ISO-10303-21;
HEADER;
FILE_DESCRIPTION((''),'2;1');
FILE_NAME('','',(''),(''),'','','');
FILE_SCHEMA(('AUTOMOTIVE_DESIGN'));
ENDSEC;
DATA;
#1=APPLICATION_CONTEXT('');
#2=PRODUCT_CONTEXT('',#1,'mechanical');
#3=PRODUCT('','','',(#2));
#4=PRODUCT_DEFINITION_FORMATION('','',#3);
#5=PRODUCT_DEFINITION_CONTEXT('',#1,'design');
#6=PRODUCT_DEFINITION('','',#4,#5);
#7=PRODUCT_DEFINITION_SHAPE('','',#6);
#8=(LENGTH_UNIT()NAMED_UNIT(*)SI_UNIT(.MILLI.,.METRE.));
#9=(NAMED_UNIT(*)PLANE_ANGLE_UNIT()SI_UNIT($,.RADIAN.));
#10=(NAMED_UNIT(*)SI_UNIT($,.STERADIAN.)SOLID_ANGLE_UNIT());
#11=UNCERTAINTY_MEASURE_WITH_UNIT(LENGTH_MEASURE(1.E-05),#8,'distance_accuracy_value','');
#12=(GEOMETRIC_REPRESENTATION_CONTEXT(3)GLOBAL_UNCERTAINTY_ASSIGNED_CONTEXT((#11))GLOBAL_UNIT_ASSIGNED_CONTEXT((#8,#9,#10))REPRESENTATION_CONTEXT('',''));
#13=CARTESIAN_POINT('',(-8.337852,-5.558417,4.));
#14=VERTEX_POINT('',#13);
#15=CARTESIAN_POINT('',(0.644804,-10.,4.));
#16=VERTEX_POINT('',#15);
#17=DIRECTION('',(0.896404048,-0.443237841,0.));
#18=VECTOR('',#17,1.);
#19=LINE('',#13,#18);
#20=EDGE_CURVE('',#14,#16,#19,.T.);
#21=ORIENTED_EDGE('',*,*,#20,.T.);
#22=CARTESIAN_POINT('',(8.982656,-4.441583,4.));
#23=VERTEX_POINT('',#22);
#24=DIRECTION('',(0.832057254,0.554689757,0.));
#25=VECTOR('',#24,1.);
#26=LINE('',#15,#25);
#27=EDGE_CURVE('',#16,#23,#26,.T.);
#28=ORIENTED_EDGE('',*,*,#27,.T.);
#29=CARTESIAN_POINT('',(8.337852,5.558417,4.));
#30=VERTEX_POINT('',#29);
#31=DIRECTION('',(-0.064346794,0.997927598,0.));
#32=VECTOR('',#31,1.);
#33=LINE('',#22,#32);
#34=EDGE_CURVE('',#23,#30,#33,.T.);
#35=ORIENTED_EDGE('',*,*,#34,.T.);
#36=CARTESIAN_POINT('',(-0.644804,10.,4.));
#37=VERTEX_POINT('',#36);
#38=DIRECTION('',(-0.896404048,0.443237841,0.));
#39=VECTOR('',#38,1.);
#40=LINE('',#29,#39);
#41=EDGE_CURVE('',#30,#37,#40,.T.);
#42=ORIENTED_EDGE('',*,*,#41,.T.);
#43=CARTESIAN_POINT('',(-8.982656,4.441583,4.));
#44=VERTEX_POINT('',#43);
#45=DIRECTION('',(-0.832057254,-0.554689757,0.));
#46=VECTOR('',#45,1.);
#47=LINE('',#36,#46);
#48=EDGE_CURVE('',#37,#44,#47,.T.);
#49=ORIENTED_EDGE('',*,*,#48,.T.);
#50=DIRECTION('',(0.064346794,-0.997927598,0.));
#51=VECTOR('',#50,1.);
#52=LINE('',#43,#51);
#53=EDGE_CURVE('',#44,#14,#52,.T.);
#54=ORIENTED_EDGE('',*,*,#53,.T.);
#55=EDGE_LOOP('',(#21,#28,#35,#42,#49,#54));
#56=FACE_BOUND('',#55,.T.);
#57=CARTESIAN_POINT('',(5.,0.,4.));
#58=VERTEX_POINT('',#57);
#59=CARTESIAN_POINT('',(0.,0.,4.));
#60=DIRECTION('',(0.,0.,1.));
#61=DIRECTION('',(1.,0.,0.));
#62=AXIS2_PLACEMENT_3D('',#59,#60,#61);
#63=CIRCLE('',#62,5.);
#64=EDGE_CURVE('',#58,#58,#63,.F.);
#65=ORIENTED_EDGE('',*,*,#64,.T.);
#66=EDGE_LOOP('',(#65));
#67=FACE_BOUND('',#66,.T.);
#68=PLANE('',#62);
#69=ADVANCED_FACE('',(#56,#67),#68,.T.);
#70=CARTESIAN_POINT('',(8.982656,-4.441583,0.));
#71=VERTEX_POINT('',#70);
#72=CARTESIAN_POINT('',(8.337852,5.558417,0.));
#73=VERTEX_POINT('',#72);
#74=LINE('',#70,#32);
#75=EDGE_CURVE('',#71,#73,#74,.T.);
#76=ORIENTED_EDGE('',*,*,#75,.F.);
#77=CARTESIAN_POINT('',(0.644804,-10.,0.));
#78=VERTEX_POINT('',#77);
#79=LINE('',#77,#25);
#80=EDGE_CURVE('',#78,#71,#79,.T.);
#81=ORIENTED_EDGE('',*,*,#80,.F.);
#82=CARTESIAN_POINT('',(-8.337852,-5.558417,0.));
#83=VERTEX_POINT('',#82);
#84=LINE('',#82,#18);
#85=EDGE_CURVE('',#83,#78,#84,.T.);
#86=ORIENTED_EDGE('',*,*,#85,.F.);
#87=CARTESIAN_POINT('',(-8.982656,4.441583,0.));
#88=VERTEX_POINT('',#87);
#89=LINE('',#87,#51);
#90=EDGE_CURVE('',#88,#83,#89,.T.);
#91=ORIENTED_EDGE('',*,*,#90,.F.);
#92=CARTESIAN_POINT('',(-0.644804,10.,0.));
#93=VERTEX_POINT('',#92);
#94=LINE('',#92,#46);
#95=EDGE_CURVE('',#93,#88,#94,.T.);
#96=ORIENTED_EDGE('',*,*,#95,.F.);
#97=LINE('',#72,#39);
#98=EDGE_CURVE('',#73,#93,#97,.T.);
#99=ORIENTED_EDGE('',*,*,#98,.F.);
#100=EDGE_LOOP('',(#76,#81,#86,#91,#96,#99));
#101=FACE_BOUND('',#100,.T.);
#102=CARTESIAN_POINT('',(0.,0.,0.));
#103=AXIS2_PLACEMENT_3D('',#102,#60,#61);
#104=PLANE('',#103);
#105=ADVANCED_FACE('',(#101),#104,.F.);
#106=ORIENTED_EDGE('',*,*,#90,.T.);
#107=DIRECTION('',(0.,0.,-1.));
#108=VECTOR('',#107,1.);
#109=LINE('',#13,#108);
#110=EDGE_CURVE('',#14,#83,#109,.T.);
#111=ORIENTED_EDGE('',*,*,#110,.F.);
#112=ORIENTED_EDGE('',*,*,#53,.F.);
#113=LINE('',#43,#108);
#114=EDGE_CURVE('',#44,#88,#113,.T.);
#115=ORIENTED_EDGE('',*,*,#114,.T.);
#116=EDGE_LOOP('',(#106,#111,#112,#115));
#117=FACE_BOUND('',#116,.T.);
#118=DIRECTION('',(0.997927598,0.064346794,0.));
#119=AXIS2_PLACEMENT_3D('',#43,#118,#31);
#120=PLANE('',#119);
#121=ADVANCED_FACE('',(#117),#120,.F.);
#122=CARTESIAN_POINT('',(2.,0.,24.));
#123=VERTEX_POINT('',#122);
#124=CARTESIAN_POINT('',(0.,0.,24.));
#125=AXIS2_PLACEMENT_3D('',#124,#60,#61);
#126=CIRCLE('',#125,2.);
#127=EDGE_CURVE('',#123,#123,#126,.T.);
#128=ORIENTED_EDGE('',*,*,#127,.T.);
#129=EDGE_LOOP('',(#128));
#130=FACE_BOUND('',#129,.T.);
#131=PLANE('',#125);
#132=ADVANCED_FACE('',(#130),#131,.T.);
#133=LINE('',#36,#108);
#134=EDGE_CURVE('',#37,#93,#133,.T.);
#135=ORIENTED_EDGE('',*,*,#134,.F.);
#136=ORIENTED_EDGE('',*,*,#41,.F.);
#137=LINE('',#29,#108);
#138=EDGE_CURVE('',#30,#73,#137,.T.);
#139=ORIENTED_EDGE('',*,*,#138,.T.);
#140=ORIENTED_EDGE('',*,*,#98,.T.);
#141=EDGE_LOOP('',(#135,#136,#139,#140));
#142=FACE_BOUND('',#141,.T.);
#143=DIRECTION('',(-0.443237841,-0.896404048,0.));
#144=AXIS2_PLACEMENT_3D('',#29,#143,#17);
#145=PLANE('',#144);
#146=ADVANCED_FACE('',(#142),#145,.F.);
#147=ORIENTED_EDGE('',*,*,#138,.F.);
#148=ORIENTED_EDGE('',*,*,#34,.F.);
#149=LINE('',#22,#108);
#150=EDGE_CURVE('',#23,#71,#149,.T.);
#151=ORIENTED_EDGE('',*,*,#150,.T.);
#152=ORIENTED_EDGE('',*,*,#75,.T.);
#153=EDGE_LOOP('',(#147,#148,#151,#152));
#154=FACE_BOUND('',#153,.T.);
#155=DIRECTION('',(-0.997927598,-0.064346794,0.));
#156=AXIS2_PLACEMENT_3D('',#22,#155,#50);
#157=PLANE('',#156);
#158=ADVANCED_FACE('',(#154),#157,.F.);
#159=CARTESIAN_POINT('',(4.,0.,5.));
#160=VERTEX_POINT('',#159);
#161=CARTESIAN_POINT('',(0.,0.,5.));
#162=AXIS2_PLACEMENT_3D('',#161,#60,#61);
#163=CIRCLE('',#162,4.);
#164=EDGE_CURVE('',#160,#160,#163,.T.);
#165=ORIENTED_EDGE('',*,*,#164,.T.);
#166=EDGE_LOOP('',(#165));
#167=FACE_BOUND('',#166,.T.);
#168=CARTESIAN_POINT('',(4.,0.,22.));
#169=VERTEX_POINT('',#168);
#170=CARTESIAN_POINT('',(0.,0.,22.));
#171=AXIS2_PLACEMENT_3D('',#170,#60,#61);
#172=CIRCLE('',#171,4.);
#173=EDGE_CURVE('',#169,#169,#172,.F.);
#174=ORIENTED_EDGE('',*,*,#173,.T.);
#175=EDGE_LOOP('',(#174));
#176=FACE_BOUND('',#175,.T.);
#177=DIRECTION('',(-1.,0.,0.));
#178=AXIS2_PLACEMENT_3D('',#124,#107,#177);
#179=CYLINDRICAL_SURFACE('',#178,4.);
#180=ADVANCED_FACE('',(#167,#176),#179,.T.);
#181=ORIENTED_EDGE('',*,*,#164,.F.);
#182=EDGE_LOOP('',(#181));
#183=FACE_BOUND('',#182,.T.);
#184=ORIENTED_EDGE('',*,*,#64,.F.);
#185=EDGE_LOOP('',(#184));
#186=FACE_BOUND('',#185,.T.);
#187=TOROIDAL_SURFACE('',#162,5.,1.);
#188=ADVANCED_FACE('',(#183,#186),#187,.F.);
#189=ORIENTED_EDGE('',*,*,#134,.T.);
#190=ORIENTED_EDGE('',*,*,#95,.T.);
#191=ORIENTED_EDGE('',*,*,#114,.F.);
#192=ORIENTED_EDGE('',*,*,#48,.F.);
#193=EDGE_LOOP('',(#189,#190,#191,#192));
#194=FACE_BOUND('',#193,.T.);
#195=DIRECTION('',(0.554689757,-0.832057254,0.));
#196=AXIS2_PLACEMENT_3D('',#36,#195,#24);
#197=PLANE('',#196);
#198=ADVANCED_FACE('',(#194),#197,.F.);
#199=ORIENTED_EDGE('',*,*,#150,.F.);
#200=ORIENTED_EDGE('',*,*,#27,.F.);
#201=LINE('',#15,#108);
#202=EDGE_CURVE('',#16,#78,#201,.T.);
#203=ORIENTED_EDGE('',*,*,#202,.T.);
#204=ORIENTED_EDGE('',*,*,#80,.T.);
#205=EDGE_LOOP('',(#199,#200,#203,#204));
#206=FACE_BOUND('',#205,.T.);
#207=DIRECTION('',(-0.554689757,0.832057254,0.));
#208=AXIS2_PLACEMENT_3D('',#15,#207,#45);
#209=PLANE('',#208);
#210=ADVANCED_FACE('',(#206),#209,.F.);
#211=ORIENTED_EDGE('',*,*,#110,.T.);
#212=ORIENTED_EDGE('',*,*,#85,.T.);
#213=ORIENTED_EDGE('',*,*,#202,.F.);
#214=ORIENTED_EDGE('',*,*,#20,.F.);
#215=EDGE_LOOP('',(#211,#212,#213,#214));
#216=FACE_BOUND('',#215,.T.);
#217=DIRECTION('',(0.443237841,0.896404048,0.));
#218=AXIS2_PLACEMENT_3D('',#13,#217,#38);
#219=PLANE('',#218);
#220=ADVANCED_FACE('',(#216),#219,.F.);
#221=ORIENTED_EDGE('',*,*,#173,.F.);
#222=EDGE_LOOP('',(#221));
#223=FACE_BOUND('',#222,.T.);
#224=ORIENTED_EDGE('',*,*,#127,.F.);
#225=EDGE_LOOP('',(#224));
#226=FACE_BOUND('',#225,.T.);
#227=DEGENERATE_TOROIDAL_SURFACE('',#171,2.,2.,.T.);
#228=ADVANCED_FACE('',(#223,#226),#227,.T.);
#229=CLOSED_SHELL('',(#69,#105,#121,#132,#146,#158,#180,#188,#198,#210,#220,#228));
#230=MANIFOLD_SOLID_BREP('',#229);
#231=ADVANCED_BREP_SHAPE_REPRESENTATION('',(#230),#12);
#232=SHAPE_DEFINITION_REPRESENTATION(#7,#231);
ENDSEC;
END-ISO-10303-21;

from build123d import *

# Parameters (mm, degrees)
EXTRUDE_3_DEPTH = 4
SKETCH_3_R      = 4
EXTRUDE_4_DEPTH = 20
FILLET_1_R      = 1
FILLET_2_R      = 2


with BuildPart() as part:
    # 草图1 → 凸台-拉伸3 (new body)
    with BuildSketch(Plane.XY):
        Polygon((-8.337851922, -5.558416845), (0.644804231, -10), (8.982656153, -4.441583155), (8.337851922, 5.558416845), (-0.644804231, 10), (-8.982656153, 4.441583155), align=None)
    extrude(amount=EXTRUDE_3_DEPTH)

    # 草图3 → 凸台-拉伸4 (add)
    with BuildSketch(Plane.XY.offset(4)):
        Circle(SKETCH_3_R)
    extrude(amount=EXTRUDE_4_DEPTH)

    # 圆角1
    fillet_1_edges = [part.edges().sort_by_distance(p)[0] for p in [
        (-4, 0, 4),
    ]]
    fillet(fillet_1_edges, radius=FILLET_1_R)

    # 圆角2
    fillet_2_edges = [part.edges().sort_by_distance(p)[0] for p in [
        (-4, 0, 24),
    ]]
    fillet(fillet_2_edges, radius=FILLET_2_R)


solid = part.part
